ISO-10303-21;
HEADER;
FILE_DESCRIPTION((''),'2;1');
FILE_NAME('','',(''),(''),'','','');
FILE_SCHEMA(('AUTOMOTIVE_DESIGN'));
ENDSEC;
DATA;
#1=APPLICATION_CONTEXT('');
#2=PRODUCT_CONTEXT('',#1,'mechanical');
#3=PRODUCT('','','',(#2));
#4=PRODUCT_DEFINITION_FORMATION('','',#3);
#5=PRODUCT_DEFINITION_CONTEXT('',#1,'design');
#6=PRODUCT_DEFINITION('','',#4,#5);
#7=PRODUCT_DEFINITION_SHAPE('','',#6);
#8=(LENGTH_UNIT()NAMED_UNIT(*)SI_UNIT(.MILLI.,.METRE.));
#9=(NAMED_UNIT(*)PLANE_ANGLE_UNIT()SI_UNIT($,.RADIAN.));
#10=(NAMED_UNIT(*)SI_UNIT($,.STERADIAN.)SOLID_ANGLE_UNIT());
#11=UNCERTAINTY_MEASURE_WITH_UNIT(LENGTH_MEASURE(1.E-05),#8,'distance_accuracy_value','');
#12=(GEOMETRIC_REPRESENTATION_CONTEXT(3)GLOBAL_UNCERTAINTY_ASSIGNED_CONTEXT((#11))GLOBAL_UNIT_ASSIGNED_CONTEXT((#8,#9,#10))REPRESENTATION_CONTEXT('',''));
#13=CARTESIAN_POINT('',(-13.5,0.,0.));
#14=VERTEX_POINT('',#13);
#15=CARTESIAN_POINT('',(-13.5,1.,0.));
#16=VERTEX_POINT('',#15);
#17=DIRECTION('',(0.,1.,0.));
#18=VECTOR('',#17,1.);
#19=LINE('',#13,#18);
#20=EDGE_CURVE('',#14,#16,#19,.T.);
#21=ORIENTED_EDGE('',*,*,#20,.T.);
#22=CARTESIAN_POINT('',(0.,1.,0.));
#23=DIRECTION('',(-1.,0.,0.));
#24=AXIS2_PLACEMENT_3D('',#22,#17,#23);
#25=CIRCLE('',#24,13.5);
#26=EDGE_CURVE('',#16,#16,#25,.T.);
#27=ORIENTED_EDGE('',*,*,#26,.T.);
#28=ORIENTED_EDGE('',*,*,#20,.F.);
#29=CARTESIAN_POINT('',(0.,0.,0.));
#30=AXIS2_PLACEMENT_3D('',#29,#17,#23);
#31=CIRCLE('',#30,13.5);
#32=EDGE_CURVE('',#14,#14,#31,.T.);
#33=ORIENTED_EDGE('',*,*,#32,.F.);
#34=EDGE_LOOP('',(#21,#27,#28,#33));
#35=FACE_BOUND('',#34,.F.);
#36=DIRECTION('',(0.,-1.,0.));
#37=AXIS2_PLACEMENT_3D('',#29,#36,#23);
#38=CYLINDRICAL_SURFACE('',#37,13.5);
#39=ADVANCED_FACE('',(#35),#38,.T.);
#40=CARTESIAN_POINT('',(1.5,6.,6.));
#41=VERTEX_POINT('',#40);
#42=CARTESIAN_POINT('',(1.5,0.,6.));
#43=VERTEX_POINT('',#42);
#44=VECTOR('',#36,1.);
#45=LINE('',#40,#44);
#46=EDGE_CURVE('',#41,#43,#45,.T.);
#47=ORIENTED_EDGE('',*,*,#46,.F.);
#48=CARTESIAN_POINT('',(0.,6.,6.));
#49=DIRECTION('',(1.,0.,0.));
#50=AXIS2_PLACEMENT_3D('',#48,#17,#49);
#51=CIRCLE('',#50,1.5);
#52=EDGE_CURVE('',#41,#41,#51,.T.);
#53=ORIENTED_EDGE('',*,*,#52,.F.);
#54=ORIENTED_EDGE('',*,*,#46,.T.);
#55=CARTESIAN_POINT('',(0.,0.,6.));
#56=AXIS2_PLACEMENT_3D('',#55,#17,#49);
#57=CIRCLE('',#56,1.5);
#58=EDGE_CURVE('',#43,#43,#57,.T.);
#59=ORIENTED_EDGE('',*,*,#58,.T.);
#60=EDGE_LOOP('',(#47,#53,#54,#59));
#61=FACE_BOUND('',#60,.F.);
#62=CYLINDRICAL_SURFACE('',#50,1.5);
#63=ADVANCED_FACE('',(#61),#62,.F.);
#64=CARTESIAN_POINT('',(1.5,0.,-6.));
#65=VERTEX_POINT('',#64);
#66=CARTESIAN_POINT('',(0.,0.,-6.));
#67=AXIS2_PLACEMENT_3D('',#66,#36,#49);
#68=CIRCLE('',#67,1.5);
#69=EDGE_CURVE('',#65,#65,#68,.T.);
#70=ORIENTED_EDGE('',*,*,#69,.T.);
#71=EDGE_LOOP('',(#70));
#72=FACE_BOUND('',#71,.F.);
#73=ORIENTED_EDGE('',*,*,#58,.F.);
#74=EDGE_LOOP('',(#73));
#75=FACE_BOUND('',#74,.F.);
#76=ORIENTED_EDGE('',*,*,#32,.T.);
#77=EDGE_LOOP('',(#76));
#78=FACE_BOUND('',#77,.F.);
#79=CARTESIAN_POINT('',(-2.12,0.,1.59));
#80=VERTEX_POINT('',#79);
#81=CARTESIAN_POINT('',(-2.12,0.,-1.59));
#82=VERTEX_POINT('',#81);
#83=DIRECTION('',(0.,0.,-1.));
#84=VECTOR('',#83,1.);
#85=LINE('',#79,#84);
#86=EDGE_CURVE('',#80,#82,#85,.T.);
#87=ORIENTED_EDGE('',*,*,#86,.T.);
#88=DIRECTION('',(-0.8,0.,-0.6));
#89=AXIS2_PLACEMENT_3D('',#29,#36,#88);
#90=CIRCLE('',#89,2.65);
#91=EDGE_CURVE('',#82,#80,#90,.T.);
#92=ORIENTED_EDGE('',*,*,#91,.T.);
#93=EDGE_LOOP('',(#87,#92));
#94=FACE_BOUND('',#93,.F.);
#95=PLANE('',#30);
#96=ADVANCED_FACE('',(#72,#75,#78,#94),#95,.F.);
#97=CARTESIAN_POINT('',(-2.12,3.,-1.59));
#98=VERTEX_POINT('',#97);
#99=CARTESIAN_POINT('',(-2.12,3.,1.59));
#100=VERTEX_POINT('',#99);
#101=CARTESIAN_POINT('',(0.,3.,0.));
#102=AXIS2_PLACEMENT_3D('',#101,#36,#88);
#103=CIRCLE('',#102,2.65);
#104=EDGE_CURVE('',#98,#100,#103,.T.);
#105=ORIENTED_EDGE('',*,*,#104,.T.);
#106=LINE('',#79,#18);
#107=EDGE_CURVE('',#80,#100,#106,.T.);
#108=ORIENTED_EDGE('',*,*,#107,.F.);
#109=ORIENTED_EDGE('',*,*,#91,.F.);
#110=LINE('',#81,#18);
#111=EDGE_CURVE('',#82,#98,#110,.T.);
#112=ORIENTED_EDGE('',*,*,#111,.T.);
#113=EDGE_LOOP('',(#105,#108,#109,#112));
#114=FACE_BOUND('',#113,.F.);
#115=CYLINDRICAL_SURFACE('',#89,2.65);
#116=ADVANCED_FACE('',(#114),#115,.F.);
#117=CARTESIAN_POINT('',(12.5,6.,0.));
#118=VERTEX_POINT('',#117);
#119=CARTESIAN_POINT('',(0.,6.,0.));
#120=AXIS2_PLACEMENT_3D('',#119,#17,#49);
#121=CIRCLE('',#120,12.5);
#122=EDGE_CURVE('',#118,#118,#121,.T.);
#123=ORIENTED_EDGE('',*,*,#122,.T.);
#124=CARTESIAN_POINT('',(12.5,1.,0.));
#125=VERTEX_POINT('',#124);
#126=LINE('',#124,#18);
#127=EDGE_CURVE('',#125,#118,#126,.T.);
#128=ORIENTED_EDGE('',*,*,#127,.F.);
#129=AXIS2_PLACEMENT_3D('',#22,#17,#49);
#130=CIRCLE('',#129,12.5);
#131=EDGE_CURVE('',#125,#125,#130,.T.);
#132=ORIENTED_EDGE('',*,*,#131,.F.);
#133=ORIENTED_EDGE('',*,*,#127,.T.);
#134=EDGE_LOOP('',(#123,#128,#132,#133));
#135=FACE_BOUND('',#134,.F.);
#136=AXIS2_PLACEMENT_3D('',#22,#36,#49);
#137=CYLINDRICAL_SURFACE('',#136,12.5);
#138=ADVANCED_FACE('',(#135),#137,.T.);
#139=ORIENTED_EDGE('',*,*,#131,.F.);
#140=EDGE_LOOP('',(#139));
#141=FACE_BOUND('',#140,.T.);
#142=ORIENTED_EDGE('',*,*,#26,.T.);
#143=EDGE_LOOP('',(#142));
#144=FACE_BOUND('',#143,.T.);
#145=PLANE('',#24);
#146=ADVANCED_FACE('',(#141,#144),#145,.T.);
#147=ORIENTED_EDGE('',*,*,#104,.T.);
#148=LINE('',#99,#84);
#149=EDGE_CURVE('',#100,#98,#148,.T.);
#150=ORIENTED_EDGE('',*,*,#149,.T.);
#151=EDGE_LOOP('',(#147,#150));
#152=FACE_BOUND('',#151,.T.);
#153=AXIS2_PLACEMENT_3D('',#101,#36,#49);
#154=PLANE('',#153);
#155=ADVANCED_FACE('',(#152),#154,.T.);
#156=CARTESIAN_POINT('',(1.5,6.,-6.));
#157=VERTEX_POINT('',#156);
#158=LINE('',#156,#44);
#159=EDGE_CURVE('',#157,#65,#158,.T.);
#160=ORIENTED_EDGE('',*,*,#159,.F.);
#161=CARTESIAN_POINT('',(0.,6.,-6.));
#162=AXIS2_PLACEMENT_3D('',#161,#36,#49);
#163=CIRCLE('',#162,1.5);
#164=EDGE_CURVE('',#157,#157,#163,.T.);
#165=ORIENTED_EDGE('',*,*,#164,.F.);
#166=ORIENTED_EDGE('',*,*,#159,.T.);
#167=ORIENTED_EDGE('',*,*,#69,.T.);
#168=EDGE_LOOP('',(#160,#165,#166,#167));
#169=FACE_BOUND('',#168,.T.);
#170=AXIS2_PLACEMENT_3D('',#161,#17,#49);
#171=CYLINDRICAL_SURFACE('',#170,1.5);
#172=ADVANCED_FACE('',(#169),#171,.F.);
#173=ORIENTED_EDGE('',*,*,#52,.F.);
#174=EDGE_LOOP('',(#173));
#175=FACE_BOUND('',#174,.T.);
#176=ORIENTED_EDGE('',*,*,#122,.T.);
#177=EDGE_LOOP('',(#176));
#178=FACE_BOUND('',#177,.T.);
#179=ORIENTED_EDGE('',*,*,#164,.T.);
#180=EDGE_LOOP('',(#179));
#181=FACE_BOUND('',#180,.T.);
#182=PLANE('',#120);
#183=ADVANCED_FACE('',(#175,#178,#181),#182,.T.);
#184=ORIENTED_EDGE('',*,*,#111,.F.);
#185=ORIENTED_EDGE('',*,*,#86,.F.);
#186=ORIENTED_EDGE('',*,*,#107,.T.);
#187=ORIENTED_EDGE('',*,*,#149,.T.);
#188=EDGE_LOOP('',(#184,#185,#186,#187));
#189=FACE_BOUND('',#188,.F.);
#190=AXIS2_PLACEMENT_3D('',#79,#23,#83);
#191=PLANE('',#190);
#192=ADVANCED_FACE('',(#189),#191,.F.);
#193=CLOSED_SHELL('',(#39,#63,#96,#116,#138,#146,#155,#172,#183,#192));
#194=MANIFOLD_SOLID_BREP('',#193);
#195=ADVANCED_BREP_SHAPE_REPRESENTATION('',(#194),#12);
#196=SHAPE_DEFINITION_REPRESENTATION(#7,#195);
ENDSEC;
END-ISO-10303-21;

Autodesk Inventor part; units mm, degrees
ref_plane "YZ Plane" through (0, 0, 0) normal (1, 0, 0) x (0, 1, 0)
ref_plane "XZ Plane" through (0, 0, 0) normal (0, 1, 0) x (-1, 0, 0)
ref_plane "XY Plane" through (0, 0, 0) normal (0, 0, 1) x (1, 0, 0)
sketch "Szkic1" plane through (0, 0, 0) normal (0, 1, 0) x (-1, 0, 0)
  circle A0 centre (0, 0) radius 13.5
  dimension "d0" = 27
extrude "Wyciągnięcie proste1" add sketch "Szkic1" along normal blind 1
sketch "Szkic2" plane through (0, 1, 0) normal (0, 1, 0) x (1, 0, 0)
  circle A0 centre (0, 0) radius 12.5
  dimension "d3" = 25
extrude "Wyciągnięcie proste2" add sketch "Szkic2" along normal blind 5
sketch "Szkic3" plane through (0, 6, 0) normal (0, 1, 0) x (1, 0, 0)
  circle A0 centre (0, -6) radius 1.5
  point P0 (0, 0)
  dimension "d6" = 3
  dimension "d7" = 6
extrude "Wyciągnięcie proste3" cut sketch "Szkic3" against normal up to surface (6 mm away)
mirror "Odbij2" about plane through (0, 0, 0) normal (0, 0, 1) of "Wyciągnięcie proste3"
sketch "Sketch4" plane through (0, 0, 0) normal (0, -1, 0) x (1, 0, 0)
  arc A0 (-2.12, -1.59) -> (-2.12, 1.59) centre (0, 0) ccw
  line L0 (-2.12, 1.59) -> (-2.12, -1.59)
  dimension "d10" = 5.3
  dimension "d11" = 3.18
extrude "Extrusion4" cut sketch "Sketch4" against normal blind 3
properties part number "InputShaft3_3DPrint"
